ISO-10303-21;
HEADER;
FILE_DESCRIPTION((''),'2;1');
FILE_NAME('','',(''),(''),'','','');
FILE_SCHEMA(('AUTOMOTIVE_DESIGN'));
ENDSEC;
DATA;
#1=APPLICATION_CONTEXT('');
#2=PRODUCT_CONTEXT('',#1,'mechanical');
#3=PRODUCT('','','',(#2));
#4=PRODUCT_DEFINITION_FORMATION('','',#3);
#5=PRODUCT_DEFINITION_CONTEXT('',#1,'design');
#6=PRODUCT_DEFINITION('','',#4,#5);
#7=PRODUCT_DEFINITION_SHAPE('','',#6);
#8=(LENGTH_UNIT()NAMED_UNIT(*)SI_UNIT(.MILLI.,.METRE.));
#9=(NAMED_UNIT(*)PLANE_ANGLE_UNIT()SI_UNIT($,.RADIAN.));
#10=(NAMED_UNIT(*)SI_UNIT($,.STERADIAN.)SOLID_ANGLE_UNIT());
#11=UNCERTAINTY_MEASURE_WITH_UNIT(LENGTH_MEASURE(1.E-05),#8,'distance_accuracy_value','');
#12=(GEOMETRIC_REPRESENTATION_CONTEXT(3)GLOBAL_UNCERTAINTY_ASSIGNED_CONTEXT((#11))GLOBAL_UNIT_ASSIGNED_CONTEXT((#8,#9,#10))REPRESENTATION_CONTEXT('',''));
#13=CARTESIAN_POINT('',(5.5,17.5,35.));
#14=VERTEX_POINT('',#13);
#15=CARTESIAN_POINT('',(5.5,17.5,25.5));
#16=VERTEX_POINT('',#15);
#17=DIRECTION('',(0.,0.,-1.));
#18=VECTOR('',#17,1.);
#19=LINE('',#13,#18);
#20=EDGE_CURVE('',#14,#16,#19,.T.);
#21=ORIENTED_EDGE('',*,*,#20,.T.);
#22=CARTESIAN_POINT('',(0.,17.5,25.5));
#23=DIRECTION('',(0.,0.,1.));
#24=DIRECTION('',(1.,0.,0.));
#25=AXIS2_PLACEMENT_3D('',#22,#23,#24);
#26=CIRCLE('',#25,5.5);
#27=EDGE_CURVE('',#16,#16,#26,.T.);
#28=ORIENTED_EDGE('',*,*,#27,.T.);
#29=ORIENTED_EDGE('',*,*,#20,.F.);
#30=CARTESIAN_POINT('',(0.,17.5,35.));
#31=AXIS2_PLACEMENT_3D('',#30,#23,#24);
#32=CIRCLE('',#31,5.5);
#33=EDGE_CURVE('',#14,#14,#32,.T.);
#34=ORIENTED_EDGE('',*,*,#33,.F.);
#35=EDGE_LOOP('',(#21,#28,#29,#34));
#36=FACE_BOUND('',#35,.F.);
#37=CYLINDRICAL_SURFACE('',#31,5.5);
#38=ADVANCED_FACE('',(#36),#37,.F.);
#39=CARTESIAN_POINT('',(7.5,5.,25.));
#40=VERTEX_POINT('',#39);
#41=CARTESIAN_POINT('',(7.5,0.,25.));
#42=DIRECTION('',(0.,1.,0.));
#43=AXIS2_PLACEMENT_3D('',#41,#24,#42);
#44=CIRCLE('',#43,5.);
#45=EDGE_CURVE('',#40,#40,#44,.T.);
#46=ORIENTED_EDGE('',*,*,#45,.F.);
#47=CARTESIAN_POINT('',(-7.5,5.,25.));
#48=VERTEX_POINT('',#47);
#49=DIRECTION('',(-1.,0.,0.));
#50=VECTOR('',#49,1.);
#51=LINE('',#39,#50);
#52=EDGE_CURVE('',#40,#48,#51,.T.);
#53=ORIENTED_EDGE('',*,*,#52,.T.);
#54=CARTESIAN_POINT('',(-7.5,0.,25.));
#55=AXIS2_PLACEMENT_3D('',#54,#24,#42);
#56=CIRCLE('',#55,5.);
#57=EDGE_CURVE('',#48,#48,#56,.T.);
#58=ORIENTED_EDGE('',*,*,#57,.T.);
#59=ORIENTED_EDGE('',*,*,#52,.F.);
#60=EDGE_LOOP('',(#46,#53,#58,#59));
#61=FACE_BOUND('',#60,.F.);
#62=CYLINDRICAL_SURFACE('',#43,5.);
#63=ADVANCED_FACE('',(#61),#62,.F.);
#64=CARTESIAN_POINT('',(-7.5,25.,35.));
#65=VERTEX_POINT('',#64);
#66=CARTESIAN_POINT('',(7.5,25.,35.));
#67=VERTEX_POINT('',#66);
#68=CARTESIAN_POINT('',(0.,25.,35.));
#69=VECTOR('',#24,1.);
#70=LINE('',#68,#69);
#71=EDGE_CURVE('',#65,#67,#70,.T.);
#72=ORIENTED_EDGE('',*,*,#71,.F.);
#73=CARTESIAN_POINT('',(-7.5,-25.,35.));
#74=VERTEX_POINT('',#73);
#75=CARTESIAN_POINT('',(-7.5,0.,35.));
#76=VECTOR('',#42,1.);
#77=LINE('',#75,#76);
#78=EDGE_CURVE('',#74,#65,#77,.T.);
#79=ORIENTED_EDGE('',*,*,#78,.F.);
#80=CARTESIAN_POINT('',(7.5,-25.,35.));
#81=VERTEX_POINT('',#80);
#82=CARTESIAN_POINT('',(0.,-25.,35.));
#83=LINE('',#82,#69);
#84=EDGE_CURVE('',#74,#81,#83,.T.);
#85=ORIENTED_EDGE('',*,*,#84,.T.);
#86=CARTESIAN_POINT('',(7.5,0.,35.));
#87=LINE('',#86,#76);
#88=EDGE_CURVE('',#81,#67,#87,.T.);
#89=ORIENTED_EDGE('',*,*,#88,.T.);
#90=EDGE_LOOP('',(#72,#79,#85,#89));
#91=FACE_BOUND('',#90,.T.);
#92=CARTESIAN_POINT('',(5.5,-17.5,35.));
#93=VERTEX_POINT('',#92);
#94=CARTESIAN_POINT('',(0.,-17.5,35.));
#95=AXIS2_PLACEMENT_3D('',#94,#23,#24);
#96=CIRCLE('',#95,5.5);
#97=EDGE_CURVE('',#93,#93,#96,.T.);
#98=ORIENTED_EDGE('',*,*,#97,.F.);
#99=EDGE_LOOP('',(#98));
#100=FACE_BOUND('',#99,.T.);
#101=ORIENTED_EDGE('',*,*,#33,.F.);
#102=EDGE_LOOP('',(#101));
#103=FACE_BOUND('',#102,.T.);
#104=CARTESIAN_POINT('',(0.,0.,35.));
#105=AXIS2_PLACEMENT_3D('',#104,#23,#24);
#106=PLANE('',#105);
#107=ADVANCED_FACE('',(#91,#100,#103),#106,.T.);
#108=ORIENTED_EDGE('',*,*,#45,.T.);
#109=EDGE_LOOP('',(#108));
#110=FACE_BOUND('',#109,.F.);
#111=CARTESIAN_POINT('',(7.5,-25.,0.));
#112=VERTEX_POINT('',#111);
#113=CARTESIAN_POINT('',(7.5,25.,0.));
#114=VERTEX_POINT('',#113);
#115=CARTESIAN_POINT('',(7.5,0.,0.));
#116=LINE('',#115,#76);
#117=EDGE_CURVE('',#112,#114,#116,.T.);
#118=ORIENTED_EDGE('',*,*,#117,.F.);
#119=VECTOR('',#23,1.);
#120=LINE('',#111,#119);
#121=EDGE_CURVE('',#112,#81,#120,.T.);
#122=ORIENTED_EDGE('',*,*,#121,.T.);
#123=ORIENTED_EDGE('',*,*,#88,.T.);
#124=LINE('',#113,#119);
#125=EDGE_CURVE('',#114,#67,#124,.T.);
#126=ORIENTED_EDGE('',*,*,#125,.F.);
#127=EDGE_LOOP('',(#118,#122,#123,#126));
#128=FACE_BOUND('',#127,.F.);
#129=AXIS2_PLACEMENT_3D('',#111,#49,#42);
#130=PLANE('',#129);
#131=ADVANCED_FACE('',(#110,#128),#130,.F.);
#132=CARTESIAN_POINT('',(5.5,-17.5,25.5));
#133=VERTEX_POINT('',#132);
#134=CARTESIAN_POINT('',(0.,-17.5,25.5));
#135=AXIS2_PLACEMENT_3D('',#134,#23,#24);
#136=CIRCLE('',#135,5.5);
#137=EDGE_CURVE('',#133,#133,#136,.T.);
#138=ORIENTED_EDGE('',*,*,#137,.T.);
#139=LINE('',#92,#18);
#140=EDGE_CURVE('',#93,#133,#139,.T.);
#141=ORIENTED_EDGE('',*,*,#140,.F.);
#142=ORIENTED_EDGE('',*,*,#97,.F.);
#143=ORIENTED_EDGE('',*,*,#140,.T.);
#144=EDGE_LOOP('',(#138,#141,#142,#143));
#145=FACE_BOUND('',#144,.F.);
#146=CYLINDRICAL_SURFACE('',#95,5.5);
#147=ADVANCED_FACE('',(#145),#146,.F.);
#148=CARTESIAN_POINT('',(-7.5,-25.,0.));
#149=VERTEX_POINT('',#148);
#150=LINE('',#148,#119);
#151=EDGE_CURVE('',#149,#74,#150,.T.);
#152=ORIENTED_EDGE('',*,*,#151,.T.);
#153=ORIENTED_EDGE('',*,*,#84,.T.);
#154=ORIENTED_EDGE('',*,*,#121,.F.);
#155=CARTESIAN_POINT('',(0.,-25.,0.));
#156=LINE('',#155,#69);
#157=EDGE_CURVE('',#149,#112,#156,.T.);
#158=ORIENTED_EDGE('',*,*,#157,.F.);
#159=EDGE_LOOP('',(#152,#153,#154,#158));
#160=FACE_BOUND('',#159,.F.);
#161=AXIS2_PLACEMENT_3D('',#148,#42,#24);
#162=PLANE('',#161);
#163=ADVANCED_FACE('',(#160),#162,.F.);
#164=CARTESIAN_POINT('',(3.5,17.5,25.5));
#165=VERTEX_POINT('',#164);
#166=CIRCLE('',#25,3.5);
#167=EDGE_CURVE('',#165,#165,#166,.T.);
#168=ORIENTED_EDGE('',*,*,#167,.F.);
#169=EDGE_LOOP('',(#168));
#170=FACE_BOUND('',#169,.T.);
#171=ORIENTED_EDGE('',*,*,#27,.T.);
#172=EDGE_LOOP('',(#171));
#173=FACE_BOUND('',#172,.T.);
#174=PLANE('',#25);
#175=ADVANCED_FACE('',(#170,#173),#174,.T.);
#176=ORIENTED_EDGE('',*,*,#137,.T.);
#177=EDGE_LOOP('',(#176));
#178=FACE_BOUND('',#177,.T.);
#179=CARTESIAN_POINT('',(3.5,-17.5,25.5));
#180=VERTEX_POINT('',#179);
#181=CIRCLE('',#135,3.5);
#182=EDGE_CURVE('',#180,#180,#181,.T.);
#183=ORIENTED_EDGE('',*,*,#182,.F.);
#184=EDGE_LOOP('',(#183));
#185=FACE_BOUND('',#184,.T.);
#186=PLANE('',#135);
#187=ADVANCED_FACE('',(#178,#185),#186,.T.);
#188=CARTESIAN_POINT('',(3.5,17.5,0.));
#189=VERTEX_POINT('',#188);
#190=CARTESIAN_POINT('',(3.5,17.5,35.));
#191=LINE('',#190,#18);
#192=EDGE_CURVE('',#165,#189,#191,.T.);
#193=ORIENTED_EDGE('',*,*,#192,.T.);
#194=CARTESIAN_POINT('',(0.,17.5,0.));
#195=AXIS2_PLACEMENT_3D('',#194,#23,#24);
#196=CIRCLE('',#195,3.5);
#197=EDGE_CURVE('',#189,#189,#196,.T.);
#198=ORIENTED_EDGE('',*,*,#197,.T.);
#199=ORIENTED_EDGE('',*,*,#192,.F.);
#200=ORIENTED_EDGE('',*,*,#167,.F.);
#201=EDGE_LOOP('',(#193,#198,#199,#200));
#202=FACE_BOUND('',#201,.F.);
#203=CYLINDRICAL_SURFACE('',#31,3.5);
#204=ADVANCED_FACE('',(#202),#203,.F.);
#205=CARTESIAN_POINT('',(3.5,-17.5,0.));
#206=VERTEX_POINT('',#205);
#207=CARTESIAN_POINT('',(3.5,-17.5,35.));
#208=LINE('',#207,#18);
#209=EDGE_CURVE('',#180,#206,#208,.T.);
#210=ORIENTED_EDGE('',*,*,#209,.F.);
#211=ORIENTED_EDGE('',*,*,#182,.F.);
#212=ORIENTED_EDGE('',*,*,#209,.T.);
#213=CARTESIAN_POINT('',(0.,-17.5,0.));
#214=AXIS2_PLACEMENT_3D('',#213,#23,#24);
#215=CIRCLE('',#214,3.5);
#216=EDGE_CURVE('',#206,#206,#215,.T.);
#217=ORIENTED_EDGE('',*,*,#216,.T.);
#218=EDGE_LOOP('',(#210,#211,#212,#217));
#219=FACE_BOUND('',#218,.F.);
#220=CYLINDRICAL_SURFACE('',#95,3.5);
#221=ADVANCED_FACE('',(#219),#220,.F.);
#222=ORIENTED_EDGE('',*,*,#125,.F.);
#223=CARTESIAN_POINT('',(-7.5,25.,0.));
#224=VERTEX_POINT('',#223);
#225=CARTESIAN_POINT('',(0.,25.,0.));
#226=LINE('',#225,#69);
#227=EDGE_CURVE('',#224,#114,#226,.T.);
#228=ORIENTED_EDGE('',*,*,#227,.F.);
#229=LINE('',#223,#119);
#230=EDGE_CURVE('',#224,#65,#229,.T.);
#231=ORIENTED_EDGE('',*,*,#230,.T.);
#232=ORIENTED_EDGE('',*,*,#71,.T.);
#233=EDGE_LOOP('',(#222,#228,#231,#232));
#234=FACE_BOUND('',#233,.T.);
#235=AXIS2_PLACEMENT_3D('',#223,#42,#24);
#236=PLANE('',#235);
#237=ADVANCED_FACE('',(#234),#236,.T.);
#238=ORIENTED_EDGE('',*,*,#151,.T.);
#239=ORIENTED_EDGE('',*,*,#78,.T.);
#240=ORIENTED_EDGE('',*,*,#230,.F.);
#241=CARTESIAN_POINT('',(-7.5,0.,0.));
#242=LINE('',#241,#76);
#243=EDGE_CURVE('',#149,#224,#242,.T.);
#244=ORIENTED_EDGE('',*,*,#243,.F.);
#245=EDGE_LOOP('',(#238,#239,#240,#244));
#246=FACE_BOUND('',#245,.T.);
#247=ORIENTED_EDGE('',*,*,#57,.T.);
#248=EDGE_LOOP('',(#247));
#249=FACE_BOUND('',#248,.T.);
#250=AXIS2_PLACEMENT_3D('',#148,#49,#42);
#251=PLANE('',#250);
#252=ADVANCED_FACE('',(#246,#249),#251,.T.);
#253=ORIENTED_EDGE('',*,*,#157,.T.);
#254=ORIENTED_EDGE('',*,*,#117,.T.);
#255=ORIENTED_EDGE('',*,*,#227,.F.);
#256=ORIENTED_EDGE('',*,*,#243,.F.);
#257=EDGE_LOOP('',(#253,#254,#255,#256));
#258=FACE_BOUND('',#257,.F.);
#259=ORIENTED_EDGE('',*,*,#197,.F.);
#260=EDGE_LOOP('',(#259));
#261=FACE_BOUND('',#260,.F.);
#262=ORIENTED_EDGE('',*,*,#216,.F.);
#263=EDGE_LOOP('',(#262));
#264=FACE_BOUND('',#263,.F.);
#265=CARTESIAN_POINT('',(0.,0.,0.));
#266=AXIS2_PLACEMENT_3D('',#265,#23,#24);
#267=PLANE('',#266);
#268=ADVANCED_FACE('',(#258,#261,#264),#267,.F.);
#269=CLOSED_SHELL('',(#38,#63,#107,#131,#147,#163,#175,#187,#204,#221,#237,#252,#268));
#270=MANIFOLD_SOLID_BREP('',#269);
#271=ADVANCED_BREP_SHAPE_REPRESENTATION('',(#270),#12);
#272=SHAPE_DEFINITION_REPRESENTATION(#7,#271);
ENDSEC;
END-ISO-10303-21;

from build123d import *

# Parameters (mm, degrees)
F0_W     = 15
F0_H     = 50
F1_DEPTH = 35
F2_R     = 5
F3_DEPTH = 15
F4_R     = 3.5
F5_DEPTH = 35
F6_R     = 5.5
F7_DEPTH = 9.5


with BuildPart() as f1:
    # F0 (on Top) → F1 (new body)
    with BuildSketch(Plane.XY):
        Rectangle(F0_W, F0_H)
    extrude(amount=F1_DEPTH)

    # F2 (on face) → F3 (cut, through all)
    with BuildSketch(Plane.YZ.offset(7.5)):
        with Locations((0, 25)):
            Circle(F2_R)
    extrude(amount=-F3_DEPTH, mode=Mode.SUBTRACT)

    # F4 (on face) → F5 (cut, through all)
    with BuildSketch(Plane.XY.offset(35)):
        with Locations((0, -17.5)):
            Circle(F4_R)
        with Locations((0, 17.5)):
            Circle(F4_R)
    extrude(amount=-F5_DEPTH, mode=Mode.SUBTRACT)

    # F6 (on face) → F7 (cut)
    with BuildSketch(Plane.XY.offset(35)):
        with Locations((0, -17.5)):
            Circle(F6_R)
        with Locations((0, 17.5)):
            Circle(F6_R)
    extrude(amount=-F7_DEPTH, mode=Mode.SUBTRACT)


solid = f1.part
